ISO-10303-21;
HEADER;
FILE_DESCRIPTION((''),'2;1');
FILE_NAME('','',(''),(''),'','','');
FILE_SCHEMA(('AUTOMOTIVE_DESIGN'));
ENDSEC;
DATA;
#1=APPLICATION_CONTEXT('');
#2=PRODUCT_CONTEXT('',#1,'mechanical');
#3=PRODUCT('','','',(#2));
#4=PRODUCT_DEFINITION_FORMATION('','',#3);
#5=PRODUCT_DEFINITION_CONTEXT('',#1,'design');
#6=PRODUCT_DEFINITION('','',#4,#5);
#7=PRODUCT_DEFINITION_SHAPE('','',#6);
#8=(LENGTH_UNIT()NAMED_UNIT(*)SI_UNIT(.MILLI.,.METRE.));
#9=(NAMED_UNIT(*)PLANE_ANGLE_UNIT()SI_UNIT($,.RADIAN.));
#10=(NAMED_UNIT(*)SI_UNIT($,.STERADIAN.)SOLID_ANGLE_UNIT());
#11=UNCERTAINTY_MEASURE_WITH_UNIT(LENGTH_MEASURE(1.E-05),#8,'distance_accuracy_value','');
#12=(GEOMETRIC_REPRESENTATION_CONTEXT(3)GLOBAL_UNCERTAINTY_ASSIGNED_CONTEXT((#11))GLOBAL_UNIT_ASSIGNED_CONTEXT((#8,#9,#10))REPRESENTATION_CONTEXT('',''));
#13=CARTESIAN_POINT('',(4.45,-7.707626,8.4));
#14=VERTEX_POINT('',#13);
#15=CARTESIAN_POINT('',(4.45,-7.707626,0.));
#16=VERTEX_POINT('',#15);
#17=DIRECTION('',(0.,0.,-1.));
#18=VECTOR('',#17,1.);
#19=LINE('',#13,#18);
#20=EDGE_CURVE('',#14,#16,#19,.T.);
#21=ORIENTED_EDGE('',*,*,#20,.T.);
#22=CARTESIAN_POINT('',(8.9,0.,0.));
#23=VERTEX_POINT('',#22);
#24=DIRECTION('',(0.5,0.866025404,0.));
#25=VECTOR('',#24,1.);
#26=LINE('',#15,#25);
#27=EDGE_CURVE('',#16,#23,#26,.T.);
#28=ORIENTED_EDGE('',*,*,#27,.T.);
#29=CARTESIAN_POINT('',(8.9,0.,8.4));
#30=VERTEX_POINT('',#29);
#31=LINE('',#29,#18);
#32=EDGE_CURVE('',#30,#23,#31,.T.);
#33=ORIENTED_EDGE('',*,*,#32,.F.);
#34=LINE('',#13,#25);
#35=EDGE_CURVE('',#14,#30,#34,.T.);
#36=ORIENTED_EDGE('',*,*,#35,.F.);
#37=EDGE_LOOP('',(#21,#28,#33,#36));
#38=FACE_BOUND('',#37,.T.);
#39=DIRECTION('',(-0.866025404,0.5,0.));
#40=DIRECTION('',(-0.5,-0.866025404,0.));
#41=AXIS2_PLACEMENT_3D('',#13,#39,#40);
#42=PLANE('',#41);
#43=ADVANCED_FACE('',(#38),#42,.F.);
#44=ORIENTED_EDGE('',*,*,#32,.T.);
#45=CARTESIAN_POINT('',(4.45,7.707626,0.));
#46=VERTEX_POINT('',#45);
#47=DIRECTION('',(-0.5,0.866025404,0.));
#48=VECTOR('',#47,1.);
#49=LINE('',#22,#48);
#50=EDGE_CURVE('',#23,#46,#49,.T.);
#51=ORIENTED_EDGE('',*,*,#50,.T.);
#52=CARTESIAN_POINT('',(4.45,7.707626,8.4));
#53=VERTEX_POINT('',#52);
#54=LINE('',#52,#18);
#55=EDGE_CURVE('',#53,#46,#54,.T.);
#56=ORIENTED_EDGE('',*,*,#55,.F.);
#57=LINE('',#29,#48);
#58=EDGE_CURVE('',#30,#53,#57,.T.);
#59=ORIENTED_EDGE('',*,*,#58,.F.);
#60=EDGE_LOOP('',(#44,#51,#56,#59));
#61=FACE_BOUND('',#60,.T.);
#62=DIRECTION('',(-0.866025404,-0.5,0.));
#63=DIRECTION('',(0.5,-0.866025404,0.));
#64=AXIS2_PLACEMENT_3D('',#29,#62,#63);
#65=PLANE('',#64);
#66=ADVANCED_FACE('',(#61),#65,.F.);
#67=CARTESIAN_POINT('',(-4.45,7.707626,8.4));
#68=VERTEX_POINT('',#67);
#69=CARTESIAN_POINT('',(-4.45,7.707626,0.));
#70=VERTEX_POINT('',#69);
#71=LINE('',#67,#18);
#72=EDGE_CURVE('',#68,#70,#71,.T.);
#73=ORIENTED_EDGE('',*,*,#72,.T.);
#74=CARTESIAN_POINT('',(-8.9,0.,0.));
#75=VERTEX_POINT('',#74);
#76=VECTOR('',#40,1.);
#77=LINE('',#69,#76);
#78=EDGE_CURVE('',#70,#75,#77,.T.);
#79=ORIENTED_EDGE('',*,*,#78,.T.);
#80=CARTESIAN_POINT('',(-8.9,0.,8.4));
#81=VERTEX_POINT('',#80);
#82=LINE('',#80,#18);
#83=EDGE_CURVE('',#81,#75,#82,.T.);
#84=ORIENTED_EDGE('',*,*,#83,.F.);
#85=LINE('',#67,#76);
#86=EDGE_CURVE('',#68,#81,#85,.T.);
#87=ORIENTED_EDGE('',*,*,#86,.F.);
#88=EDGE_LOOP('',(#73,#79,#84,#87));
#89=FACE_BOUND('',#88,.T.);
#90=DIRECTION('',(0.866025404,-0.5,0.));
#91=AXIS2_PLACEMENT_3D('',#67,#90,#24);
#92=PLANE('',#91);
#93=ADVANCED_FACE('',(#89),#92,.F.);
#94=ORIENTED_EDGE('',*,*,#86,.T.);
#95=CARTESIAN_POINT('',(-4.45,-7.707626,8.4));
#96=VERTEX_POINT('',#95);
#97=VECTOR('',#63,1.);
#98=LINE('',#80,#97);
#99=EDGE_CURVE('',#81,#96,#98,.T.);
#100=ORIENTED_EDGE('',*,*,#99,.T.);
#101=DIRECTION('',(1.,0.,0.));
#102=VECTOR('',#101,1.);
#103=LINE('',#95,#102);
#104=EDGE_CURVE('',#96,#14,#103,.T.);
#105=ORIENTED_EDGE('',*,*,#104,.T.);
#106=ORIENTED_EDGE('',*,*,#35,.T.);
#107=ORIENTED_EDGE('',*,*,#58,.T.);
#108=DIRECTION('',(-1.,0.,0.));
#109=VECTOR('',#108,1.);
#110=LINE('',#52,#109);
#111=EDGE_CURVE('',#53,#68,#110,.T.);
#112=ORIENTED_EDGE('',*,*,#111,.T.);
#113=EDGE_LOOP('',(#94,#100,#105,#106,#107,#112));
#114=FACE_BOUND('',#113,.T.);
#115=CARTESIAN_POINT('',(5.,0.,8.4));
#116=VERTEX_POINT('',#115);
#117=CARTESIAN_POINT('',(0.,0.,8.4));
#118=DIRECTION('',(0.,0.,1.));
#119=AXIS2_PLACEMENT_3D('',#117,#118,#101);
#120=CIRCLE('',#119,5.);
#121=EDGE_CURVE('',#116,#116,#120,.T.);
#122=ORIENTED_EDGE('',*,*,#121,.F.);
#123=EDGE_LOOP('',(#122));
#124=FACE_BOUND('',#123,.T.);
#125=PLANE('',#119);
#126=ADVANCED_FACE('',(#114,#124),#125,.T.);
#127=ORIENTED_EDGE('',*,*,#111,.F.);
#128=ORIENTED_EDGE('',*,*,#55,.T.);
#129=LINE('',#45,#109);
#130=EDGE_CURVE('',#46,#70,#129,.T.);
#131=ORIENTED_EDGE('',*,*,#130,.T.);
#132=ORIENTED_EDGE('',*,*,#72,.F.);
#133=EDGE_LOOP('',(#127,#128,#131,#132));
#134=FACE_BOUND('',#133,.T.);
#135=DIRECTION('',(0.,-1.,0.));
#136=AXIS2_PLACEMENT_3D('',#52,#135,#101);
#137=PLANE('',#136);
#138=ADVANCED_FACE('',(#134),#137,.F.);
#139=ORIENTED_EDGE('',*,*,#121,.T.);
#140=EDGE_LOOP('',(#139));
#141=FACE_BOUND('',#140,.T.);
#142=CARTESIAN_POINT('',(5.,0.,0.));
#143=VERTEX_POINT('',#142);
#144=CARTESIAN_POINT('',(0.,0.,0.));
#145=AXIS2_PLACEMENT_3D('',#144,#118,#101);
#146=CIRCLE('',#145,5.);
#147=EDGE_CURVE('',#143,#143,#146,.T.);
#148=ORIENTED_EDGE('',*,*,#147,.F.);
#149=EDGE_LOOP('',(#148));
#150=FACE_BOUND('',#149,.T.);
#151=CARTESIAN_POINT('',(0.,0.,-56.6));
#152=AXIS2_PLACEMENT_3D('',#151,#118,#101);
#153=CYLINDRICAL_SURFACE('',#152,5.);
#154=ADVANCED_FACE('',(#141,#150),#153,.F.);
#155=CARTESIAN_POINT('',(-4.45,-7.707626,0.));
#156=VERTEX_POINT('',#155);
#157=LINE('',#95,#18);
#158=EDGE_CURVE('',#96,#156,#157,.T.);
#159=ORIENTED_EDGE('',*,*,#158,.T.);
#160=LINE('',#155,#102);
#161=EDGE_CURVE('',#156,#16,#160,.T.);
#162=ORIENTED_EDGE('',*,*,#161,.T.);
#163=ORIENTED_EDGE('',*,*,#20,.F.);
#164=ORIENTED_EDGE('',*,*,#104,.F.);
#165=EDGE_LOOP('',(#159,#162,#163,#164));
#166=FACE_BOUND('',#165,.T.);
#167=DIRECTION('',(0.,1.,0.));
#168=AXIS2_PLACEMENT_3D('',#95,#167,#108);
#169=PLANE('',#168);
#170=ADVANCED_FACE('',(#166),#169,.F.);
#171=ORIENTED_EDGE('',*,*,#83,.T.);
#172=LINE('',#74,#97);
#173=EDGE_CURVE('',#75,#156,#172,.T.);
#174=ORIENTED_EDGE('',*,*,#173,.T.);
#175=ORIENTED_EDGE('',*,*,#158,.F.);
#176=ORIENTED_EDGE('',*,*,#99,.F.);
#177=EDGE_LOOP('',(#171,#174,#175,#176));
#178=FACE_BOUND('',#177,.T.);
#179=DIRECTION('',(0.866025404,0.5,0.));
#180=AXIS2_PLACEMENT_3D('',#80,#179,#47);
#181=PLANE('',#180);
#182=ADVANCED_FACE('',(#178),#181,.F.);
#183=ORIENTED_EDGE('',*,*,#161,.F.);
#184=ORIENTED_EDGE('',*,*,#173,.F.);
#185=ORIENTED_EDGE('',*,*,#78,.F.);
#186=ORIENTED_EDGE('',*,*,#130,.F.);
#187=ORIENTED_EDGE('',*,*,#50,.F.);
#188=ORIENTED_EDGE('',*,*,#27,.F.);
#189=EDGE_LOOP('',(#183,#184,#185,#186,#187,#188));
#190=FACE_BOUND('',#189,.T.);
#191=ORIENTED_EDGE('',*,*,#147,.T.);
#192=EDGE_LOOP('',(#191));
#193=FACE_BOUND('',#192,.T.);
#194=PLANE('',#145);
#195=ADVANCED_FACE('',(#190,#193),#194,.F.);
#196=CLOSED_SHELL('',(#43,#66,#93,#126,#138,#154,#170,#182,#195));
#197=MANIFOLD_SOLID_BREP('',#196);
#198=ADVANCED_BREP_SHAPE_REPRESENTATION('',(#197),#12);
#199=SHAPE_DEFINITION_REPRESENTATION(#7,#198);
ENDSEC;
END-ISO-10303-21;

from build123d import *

# Parameters (mm, degrees)
BOSS_EXTRUDE1_DEPTH = 8.4
SKETCH2_R           = 5
CUT_EXTRUDE1_DEPTH  = 65


with BuildPart() as part:
    # Sketch1 → Boss-Extrude1 (new body)
    with BuildSketch(Plane.XY):
        Polygon((8.9, 0), (4.45, 7.707626094), (-4.45, 7.707626094), (-8.9, 0), (-4.45, -7.707626094), (4.45, -7.707626094), align=None)
    extrude(amount=BOSS_EXTRUDE1_DEPTH)

    # Sketch2 → Cut-Extrude1 (cut)
    with BuildSketch(Plane.XY.offset(8.4)):
        Circle(SKETCH2_R)
    extrude(amount=-CUT_EXTRUDE1_DEPTH, mode=Mode.SUBTRACT)


solid = part.part
